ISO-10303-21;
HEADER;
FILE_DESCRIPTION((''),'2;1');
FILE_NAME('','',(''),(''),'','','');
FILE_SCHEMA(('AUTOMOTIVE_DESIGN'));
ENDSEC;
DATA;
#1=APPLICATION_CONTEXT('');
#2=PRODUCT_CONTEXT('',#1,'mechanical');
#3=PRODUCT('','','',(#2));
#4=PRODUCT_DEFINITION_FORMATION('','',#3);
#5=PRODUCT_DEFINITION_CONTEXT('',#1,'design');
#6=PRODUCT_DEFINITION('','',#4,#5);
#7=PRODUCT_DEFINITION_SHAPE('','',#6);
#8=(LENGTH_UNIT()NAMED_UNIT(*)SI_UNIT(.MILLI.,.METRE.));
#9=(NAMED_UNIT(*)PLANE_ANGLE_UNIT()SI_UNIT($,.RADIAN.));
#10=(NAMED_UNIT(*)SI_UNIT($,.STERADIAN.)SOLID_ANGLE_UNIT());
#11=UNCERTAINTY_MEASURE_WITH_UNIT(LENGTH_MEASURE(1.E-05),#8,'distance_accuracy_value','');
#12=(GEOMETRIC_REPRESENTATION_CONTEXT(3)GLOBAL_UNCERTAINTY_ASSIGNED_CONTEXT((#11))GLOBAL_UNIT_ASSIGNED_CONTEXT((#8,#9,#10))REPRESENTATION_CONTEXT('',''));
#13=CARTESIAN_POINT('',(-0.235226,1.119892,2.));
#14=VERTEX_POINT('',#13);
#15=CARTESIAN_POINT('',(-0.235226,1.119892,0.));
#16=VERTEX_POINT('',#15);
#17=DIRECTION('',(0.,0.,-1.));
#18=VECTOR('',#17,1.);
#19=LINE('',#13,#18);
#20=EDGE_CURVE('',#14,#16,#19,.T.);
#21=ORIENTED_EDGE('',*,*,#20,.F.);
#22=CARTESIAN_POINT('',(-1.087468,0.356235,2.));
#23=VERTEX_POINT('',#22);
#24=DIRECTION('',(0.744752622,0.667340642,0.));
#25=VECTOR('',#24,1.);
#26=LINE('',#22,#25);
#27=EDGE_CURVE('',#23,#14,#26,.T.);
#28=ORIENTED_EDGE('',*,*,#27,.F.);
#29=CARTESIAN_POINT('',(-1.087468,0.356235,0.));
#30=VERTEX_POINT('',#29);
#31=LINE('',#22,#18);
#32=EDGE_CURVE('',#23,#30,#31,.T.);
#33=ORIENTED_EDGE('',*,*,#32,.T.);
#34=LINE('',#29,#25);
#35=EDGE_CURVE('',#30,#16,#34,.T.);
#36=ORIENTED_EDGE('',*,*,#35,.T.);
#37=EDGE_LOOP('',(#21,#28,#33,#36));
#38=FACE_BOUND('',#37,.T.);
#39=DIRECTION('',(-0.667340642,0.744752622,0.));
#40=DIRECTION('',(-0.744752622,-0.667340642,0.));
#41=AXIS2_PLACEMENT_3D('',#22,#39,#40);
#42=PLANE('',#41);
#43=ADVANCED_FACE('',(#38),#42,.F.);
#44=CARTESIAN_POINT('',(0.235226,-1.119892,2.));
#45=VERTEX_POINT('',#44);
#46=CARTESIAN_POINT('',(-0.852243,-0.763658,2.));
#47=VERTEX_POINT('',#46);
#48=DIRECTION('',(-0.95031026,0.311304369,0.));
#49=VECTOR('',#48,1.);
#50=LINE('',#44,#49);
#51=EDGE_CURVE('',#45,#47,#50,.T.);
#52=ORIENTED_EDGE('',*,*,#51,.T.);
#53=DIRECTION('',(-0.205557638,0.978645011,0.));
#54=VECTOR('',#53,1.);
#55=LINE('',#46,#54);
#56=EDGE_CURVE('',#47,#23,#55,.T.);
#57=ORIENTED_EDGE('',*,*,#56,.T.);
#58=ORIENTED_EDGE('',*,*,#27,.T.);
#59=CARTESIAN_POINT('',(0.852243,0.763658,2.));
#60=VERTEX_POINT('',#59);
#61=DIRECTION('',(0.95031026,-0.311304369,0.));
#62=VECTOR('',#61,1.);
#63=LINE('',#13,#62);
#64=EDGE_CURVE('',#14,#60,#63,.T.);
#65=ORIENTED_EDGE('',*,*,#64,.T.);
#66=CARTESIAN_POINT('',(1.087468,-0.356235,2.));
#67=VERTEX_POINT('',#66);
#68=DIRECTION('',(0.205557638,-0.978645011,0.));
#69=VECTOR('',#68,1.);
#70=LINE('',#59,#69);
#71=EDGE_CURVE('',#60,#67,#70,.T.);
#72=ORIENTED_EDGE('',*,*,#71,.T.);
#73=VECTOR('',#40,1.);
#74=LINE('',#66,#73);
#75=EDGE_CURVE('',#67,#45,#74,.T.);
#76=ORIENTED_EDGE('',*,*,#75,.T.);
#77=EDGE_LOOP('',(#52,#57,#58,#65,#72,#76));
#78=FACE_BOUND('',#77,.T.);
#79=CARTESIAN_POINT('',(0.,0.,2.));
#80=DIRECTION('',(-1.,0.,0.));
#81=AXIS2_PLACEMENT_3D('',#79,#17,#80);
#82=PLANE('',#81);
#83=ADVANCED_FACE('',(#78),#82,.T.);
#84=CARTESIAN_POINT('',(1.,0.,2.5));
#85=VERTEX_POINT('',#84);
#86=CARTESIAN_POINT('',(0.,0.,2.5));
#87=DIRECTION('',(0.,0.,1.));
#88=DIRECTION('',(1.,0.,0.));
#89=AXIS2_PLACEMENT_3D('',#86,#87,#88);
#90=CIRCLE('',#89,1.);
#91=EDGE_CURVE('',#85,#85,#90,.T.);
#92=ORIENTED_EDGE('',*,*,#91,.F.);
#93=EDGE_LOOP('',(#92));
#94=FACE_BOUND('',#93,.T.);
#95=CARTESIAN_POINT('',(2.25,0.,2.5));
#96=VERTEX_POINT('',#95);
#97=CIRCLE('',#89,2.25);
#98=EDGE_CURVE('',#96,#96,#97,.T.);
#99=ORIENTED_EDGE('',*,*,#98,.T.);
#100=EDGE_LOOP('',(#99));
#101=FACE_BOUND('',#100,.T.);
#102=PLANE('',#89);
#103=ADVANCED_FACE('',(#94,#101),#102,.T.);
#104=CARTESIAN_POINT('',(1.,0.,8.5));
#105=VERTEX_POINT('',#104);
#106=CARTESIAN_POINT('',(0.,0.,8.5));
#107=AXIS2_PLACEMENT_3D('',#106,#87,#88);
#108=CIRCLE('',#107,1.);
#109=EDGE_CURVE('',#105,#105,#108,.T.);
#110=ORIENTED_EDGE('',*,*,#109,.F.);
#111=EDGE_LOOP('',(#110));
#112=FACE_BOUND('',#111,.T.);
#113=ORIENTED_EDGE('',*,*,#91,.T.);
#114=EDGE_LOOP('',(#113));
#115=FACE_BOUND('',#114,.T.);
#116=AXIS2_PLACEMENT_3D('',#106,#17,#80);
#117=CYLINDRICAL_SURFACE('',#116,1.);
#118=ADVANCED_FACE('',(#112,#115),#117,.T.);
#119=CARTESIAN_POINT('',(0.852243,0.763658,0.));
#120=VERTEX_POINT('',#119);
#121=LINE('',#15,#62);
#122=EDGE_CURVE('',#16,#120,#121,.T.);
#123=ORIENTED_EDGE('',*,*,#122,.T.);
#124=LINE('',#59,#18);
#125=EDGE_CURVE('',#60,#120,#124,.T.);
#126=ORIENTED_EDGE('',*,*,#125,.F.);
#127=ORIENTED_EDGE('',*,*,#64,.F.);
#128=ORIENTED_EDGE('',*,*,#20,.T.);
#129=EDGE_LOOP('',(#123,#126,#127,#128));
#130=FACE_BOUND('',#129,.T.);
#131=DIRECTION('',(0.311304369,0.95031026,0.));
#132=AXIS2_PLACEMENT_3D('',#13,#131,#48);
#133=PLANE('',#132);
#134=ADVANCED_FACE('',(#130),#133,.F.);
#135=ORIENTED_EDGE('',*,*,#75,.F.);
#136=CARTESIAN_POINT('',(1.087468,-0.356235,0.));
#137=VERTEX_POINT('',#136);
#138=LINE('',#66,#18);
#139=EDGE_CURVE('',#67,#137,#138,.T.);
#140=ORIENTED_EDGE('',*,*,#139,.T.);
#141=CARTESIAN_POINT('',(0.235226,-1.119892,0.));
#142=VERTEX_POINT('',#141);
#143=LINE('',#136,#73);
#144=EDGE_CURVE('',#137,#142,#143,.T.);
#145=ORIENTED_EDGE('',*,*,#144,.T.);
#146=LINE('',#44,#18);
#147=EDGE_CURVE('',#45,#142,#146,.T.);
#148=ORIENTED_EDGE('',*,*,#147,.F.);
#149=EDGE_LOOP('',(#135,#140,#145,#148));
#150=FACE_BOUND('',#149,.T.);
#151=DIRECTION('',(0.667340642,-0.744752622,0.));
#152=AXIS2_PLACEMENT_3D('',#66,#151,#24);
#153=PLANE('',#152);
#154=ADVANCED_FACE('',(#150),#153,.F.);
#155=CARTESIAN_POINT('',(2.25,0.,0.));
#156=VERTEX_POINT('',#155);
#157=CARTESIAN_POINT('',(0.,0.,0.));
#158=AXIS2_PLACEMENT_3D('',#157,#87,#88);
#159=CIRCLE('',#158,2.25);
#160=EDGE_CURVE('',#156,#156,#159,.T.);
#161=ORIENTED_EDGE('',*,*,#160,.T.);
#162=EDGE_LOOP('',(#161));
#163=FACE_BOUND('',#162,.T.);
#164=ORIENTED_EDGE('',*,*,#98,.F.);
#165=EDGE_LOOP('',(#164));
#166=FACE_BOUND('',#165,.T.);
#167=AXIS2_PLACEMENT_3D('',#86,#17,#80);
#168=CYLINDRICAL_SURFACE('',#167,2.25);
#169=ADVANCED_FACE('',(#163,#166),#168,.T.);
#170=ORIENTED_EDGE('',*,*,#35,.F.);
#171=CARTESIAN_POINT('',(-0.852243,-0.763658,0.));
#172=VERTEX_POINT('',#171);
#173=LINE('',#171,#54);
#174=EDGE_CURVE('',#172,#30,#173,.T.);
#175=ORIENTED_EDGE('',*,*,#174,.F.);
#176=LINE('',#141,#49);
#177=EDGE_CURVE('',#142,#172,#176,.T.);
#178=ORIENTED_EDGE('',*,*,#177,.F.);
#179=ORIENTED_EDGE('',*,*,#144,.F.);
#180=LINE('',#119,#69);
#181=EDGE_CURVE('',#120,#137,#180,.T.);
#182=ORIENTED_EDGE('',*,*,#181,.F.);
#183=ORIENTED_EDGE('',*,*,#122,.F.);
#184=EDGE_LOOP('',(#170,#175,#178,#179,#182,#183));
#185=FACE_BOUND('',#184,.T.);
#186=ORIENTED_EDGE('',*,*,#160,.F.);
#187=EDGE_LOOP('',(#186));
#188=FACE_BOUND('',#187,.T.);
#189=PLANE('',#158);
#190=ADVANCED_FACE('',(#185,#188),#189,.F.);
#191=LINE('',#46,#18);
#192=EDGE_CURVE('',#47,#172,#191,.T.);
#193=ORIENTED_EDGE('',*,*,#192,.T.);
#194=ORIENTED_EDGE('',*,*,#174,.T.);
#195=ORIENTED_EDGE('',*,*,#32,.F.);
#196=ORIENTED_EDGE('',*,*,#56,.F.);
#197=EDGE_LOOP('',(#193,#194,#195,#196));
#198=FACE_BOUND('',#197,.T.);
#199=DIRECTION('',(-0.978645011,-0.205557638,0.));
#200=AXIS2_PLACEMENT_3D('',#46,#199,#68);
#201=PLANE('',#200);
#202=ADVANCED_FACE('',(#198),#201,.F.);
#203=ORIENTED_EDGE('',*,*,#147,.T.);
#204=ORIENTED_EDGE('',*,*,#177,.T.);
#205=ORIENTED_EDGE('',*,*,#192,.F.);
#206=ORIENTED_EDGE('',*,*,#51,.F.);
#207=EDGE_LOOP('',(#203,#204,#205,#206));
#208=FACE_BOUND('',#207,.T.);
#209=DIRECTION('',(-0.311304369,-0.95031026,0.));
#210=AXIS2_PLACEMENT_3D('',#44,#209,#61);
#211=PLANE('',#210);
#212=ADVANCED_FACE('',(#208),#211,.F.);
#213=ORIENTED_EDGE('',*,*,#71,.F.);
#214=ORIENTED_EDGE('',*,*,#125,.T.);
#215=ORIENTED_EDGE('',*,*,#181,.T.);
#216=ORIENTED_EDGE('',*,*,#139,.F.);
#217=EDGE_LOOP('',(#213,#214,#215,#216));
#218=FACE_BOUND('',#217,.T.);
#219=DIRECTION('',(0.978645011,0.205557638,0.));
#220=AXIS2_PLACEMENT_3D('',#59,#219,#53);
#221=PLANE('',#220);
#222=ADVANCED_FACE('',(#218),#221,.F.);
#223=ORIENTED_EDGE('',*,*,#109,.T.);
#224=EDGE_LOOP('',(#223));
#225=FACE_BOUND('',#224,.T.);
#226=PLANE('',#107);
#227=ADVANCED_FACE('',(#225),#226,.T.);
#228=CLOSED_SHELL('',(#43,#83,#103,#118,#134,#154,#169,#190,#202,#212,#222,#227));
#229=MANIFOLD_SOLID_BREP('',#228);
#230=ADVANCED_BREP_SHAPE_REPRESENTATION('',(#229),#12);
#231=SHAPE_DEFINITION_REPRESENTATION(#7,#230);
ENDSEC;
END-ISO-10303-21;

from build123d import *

# Parameters (mm, degrees)
SKETCH_1_R          = 2.25
EXTRUDE_1_DEPTH     = 2.5
SKETCH_2_R          = 1
EXTRUDE_2_DEPTH     = 6
CUT_EXTRUDE_1_DEPTH = 2


with BuildPart() as part:
    # ｽｹｯﾁ1 → ﾎﾞｽ - 押し出し1 (new body)
    with BuildSketch(Plane.XY):
        Circle(SKETCH_1_R)
    extrude(amount=EXTRUDE_1_DEPTH)

    # ｽｹｯﾁ2 → ﾎﾞｽ - 押し出し2 (add)
    with BuildSketch(Plane.XY.offset(2.5)):
        Circle(SKETCH_2_R)
    extrude(amount=EXTRUDE_2_DEPTH)

    # ｽｹｯﾁ3 → ｶｯﾄ - 押し出し1 (cut)
    with BuildSketch(Plane(origin=(0, 0, 0), x_dir=(-1, 0, 0), z_dir=(0, 0, -1))):
        Polygon((0.852242502, -0.763657679), (1.087468201, 0.356234818), (0.235225699, 1.119892496), (-0.852242502, 0.763657679), (-1.087468201, -0.356234818), (-0.235225699, -1.119892496), align=None)
    extrude(amount=-CUT_EXTRUDE_1_DEPTH, mode=Mode.SUBTRACT)


solid = part.part
